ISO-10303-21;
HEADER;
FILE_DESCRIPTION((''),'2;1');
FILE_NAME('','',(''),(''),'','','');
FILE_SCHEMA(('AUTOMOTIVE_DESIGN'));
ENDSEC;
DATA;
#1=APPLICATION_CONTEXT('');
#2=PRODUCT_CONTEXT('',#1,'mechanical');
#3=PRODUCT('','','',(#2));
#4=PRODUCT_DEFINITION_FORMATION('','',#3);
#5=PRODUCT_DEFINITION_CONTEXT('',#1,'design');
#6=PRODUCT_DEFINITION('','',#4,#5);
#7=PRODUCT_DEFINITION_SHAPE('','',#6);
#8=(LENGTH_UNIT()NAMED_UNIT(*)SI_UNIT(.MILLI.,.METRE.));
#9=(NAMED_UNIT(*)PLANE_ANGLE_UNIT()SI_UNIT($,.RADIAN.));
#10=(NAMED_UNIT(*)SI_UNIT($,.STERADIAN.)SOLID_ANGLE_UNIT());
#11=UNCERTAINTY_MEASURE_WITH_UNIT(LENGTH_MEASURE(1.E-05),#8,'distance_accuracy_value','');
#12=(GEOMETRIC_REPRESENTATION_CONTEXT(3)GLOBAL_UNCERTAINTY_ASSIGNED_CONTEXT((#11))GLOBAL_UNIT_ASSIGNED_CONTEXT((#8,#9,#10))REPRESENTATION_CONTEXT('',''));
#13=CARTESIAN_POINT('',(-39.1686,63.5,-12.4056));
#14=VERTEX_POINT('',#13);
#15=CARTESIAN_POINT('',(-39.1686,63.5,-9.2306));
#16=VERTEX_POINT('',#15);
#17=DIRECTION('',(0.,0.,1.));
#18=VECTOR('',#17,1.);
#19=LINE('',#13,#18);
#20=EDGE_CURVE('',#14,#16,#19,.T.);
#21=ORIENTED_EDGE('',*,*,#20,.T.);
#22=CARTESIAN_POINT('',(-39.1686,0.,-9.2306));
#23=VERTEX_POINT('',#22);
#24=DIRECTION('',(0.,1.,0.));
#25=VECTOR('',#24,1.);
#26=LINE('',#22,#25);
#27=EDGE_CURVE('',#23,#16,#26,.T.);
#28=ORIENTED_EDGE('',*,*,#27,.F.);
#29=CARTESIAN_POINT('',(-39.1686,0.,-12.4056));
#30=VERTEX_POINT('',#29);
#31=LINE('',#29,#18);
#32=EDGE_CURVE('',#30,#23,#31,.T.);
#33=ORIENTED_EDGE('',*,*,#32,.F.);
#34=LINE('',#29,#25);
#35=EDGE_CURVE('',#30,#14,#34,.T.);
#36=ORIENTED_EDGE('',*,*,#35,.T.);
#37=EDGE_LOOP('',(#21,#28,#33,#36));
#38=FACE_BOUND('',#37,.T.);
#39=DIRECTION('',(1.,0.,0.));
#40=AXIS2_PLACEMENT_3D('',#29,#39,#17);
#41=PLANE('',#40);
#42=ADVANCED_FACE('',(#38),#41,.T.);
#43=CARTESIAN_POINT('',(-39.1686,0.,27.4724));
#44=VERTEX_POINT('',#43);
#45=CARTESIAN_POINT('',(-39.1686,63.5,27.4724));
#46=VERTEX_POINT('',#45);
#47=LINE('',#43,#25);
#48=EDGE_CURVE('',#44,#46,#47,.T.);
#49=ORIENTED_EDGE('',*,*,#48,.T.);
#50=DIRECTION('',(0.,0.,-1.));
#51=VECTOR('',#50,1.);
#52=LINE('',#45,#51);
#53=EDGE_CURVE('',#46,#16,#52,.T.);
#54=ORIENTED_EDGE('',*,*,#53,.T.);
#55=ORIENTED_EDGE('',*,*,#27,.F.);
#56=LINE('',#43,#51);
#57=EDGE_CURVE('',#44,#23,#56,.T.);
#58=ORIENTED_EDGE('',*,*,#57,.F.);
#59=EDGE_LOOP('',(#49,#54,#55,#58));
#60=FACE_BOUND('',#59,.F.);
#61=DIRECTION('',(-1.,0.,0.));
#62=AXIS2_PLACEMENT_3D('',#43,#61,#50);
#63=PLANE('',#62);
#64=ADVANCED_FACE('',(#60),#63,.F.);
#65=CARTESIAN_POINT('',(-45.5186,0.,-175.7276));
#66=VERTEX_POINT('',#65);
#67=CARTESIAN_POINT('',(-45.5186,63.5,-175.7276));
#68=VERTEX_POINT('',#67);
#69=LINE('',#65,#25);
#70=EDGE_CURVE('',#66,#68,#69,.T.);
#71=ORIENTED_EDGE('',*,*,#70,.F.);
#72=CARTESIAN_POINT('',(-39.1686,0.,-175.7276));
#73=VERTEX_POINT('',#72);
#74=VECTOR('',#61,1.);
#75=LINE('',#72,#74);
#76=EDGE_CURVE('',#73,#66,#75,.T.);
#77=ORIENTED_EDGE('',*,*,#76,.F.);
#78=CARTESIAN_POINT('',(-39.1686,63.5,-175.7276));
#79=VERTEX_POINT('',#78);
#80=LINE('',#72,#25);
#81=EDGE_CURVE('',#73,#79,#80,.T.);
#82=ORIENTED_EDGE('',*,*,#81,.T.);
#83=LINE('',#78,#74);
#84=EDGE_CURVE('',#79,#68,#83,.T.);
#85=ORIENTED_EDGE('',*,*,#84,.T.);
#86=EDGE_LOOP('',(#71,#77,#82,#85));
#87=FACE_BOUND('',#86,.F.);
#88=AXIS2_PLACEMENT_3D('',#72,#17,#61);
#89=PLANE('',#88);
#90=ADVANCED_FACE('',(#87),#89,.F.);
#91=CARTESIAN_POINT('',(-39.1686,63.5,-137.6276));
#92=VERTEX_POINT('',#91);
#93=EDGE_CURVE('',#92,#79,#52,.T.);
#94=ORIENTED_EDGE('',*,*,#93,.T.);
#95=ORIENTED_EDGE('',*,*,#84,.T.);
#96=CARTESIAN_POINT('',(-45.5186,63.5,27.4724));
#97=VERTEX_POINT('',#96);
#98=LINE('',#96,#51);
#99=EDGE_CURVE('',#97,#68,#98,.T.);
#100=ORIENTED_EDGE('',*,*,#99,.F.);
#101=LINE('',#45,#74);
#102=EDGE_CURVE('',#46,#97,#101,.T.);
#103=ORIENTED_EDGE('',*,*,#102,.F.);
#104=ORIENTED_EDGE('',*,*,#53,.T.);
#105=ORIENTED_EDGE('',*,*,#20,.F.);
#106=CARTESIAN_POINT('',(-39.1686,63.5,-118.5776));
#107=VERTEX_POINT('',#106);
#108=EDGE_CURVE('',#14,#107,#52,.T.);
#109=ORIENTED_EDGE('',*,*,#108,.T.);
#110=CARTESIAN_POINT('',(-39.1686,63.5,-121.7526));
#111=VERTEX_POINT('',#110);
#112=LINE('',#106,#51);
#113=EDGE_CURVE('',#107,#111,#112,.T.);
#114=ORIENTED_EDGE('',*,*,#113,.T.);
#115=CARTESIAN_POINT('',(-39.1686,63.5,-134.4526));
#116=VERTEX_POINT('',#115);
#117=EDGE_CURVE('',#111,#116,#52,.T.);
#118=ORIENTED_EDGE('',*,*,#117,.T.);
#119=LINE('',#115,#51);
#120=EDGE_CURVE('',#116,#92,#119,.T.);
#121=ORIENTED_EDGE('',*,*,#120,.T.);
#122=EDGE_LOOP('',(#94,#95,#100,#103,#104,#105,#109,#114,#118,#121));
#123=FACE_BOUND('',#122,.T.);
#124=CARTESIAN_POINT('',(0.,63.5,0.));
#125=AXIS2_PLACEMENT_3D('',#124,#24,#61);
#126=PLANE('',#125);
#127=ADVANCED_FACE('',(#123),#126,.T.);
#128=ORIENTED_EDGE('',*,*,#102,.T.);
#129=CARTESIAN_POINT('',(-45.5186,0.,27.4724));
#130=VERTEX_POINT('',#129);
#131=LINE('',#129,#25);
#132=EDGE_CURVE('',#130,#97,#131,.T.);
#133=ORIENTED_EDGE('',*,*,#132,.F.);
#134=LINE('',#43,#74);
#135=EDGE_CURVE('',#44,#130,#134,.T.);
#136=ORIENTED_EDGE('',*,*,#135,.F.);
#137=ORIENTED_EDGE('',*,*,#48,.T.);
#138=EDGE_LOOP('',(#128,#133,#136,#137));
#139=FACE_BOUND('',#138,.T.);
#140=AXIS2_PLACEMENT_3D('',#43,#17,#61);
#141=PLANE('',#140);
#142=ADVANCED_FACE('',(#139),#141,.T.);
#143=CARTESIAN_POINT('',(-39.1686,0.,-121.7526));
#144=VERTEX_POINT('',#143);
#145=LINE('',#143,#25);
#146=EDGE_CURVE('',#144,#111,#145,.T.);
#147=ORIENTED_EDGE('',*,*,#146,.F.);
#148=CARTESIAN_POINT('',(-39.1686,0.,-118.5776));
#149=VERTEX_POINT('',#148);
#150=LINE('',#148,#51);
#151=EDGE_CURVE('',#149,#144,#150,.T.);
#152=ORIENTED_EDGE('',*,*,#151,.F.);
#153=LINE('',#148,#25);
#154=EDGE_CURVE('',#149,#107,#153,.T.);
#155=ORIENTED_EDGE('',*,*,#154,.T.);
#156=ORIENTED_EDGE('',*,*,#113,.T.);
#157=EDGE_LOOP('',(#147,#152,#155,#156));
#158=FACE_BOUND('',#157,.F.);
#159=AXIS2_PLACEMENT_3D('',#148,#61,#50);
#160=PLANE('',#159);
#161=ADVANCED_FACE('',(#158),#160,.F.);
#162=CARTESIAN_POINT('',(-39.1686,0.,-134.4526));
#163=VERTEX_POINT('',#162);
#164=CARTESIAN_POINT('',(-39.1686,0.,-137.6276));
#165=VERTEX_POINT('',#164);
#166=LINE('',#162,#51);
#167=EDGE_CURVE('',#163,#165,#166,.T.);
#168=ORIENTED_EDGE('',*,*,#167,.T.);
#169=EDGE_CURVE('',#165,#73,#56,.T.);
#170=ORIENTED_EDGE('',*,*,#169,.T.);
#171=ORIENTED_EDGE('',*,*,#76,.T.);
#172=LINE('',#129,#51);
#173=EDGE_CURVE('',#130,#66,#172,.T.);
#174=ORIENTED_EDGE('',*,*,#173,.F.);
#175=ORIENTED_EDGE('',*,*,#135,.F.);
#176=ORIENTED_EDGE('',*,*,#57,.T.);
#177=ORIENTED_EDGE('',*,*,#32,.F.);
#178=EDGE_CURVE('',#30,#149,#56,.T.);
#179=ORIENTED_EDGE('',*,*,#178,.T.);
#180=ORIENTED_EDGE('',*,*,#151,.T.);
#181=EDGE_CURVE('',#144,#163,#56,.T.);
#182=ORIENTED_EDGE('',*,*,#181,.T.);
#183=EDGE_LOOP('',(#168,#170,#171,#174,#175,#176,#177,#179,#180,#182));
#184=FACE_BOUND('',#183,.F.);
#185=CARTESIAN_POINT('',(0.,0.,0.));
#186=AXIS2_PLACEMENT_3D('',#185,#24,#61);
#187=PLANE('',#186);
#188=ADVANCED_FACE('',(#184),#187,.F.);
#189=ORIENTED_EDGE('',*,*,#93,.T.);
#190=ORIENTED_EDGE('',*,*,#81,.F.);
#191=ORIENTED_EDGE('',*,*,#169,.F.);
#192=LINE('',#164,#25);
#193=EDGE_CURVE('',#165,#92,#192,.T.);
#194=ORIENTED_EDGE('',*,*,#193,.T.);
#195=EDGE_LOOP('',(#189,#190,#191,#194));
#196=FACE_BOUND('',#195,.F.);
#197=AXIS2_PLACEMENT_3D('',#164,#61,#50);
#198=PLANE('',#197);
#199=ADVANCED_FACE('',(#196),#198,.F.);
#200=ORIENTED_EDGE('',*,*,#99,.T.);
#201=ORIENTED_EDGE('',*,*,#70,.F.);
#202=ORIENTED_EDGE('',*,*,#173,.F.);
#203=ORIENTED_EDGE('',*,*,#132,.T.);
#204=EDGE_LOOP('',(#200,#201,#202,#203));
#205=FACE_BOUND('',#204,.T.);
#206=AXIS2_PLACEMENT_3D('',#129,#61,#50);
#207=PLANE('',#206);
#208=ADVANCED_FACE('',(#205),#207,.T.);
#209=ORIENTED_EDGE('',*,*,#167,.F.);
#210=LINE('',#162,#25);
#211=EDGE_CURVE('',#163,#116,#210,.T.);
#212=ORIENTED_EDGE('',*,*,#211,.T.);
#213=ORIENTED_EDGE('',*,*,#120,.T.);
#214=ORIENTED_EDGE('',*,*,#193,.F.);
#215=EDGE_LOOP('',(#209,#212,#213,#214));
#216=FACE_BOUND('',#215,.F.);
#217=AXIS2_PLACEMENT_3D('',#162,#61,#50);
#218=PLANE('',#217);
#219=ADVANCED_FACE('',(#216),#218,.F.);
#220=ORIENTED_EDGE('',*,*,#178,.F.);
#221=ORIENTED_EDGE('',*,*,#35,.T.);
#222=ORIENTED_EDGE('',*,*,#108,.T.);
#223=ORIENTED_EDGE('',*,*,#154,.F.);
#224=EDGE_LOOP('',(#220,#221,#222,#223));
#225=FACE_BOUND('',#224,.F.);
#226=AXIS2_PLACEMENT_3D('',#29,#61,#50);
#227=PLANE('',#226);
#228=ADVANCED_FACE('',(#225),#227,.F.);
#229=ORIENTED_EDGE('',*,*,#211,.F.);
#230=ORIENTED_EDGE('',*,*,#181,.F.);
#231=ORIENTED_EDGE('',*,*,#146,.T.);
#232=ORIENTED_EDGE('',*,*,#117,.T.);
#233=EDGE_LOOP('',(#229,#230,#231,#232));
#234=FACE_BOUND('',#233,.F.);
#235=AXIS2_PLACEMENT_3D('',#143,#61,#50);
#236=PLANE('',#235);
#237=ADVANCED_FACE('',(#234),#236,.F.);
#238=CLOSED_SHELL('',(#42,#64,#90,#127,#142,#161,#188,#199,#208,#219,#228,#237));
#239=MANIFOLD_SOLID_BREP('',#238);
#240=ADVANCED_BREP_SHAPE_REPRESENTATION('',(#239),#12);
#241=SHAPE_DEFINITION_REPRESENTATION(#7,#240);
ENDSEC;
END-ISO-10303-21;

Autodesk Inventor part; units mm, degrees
ref_plane "YZ Plane" through (0, 0, 0) normal (1, 0, 0) x (0, 1, 0)
ref_plane "XZ Plane" through (0, 0, 0) normal (0, 1, 0) x (-1, 0, 0)
ref_plane "XY Plane" through (0, 0, 0) normal (0, 0, 1) x (1, 0, 0)
sketch "Sketch1" plane through (0, 0, 0) normal (0, 1, 0) x (-1, 0, 0)
  line L0 (39.1686, 27.4724) -> (39.1686, -175.7276)
  line L1 (45.5186, 27.4724) -> (45.5186, -175.7276)
  line L2 (39.1686, -134.4526) -> (39.1686, -137.6276)
  line L3 (39.1686, -175.7276) -> (45.5186, -175.7276)
  line L4 (39.1686, 27.4724) -> (45.5186, 27.4724)
  line L5 (39.1686, -118.5776) -> (39.1686, -121.7526)
  line L6 (39.1686, -12.4056) -> (39.1686, -9.2306)
  point P0 (0, 0)
  dimension "d0" = 6.35
  dimension "d5" = 203.2
extrude "Extrusion1" add sketch "Sketch1" along normal blind 63.5
properties part number "Dish_Front_Base"
